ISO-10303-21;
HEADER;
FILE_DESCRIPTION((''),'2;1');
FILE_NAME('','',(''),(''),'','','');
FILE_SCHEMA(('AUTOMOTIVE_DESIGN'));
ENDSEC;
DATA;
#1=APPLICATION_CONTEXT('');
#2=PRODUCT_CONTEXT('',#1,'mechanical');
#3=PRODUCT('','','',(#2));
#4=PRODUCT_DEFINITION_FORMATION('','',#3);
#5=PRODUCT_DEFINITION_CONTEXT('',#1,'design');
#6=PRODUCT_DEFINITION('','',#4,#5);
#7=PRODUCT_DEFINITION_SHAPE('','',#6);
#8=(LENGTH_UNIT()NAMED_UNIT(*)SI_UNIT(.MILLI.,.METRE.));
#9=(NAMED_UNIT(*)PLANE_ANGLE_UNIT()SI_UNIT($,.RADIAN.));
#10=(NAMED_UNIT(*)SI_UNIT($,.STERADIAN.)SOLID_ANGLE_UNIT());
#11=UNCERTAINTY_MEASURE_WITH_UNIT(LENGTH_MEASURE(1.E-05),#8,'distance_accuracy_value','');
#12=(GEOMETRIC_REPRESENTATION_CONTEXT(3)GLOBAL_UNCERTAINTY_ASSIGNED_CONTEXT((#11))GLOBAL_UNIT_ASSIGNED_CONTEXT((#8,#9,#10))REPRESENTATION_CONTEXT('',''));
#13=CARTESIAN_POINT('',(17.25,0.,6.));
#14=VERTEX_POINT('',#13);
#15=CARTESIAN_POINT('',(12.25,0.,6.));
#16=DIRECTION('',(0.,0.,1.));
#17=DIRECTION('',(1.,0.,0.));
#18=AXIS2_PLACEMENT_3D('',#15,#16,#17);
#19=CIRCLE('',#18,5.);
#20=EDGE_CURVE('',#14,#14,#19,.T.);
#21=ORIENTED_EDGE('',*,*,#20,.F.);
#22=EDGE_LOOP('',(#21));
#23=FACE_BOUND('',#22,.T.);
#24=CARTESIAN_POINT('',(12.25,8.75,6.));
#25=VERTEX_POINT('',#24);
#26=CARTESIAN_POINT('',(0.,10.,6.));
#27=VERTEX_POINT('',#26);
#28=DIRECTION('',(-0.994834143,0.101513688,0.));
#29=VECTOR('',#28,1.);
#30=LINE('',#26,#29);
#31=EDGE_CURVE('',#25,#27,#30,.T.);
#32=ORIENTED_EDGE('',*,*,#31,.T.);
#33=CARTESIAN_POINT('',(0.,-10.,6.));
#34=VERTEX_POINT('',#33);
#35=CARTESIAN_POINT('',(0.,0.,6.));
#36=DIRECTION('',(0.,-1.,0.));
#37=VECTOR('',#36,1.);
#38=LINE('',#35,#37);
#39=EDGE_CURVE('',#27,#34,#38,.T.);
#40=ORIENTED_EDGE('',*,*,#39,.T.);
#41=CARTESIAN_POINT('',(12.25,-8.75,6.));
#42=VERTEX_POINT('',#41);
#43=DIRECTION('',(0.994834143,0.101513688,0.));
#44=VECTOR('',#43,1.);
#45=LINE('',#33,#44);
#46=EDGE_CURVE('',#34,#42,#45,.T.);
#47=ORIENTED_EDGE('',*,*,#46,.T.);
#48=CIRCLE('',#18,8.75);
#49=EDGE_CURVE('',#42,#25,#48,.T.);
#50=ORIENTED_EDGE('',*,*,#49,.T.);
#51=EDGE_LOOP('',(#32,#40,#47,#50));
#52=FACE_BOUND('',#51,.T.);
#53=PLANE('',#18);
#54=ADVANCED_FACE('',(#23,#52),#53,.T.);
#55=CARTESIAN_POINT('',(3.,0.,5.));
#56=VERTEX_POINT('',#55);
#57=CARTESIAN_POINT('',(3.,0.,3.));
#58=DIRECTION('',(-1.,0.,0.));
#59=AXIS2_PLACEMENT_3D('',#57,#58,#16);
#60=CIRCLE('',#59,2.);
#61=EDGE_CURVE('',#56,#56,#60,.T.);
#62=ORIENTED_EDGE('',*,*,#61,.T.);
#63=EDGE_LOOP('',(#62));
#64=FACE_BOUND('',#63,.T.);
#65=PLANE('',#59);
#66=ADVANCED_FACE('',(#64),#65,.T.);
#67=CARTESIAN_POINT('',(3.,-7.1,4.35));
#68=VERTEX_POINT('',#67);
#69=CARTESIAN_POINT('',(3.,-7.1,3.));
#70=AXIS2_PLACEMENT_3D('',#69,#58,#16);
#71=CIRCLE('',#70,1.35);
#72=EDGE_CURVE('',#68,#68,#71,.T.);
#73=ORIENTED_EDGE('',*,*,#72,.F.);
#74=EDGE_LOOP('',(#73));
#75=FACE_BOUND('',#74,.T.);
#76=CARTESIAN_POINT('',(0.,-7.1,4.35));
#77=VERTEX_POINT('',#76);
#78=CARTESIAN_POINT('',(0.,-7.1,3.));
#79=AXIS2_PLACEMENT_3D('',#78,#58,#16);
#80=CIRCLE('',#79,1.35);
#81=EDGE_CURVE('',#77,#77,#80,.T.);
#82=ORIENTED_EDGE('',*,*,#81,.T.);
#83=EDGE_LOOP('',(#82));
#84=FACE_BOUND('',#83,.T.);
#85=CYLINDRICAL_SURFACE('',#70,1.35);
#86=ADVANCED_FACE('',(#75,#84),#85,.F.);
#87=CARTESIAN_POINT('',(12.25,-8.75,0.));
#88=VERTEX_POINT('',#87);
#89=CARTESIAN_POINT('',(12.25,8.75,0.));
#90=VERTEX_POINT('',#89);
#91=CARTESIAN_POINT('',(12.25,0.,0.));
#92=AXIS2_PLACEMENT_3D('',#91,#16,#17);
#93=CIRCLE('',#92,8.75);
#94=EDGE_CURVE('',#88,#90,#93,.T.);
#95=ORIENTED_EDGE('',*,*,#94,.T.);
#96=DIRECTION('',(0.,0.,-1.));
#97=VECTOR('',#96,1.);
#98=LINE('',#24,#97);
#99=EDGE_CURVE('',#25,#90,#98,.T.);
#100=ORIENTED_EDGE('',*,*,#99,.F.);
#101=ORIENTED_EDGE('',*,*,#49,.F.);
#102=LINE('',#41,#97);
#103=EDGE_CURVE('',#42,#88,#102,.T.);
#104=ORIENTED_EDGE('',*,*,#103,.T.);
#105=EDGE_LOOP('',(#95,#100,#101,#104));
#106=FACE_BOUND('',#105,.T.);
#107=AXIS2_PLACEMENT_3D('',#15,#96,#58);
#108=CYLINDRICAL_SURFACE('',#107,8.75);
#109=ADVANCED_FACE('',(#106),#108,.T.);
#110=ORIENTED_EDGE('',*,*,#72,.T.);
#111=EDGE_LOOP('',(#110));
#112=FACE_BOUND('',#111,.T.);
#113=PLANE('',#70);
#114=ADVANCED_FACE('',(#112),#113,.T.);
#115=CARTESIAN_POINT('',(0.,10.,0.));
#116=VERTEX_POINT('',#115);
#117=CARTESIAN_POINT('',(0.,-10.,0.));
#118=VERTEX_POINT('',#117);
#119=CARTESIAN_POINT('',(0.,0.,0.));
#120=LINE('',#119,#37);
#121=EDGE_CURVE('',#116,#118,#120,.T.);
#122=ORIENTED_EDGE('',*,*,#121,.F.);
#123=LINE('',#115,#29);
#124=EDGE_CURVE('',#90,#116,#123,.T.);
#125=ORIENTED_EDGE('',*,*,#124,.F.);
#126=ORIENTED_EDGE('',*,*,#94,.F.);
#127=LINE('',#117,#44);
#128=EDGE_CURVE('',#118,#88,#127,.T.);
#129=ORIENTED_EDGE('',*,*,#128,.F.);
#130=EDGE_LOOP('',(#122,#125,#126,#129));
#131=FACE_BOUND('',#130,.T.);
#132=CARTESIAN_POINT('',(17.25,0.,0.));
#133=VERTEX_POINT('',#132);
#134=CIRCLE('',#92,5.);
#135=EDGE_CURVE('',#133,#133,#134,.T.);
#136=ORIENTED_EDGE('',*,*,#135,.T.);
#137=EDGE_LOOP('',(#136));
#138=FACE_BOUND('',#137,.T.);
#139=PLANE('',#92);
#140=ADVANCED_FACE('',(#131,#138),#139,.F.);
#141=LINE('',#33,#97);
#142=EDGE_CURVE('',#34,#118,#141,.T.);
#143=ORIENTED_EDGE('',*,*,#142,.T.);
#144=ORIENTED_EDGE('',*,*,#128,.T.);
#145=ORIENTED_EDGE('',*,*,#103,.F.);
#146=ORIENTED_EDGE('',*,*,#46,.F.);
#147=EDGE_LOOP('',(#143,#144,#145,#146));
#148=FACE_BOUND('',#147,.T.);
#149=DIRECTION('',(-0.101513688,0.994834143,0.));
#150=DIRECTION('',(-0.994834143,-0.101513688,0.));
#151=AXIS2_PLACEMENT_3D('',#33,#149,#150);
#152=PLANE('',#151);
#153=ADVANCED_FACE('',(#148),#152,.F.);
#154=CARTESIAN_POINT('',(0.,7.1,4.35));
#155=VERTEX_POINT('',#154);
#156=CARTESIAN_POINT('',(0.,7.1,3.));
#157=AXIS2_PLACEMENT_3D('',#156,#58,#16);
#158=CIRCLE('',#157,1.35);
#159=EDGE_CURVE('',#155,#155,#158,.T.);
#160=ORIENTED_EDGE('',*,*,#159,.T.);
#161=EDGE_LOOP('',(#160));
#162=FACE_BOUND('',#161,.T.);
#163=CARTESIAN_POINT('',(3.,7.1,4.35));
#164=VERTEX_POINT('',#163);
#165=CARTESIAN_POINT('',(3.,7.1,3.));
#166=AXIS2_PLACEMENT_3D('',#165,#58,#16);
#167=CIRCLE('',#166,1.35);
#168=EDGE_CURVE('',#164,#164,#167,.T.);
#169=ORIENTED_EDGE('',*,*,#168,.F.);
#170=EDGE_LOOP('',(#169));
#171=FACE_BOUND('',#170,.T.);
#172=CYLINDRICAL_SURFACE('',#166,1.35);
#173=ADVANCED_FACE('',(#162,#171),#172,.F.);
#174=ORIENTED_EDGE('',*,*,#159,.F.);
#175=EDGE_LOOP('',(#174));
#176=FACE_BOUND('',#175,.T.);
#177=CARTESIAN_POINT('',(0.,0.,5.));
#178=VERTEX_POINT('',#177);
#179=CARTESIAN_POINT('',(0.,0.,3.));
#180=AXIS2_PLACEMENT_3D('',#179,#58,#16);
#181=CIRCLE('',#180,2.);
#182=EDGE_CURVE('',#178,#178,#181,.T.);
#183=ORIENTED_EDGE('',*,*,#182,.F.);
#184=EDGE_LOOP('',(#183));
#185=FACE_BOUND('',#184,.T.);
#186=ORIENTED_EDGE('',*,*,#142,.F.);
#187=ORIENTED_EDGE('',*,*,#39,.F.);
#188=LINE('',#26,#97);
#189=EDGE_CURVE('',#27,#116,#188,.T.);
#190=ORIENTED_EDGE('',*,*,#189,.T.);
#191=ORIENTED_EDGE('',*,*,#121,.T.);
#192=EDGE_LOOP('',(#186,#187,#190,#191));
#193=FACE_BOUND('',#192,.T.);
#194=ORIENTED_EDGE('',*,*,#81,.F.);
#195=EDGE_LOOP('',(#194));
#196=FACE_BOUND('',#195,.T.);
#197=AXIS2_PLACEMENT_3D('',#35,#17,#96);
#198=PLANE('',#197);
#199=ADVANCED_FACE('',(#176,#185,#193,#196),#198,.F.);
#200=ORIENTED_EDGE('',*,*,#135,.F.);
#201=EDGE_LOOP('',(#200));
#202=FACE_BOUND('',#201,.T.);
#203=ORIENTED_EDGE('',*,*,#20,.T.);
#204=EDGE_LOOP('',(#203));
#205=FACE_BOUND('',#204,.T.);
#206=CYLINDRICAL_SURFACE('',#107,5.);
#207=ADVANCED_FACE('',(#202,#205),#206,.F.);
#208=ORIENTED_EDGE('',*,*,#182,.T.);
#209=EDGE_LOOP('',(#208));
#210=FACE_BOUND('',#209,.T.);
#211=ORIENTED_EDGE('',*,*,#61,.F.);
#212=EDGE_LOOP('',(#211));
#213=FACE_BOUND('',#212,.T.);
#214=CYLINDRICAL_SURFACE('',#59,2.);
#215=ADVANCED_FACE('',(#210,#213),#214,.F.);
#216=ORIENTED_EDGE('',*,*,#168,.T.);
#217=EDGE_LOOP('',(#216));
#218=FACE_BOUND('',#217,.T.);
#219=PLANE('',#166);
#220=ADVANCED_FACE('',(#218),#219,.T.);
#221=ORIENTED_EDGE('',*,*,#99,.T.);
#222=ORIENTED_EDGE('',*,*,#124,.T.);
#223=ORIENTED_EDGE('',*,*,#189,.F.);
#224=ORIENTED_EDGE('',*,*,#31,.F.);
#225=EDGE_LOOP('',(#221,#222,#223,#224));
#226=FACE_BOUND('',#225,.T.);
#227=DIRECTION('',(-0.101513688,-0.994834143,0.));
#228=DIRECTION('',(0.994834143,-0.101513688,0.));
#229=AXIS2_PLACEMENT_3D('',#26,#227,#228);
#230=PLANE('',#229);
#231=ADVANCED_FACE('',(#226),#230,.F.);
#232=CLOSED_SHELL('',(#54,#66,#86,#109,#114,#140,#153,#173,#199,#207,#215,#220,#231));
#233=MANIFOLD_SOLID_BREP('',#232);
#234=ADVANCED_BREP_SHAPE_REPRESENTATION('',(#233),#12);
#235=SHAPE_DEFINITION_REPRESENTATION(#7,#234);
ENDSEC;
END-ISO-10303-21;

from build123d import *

# Parameters (mm, degrees)
SKETCH1_R           = 5
BOSS_EXTRUDE1_DEPTH = 6
SKETCH2_R           = 1.35
SKETCH2_R_2         = 2
CUT_EXTRUDE1_DEPTH  = 3


with BuildPart() as part:
    # Sketch1 → Boss-Extrude1 (new body)
    with BuildSketch(Plane.XY):
        with BuildLine():
            Line((0, 0), (0, 10))
            Line((0, 10), (12.25, 8.75))
            ThreePointArc((12.25, 8.75), (21, 0), (12.25, -8.75))
            Line((12.25, -8.75), (0, -10))
            Line((0, -10), (0, 0))
        make_face()
        with Locations((12.25, 0)):
            Circle(SKETCH1_R, mode=Mode.SUBTRACT)
    extrude(amount=BOSS_EXTRUDE1_DEPTH)

    # Sketch2 → Cut-Extrude1 (cut)
    with BuildSketch(Plane.ZY):
        with Locations((3, 7.1)):
            Circle(SKETCH2_R)
        with Locations((3, -7.1)):
            Circle(SKETCH2_R)
        with Locations((3, 0)):
            Circle(SKETCH2_R_2)
    extrude(amount=-CUT_EXTRUDE1_DEPTH, mode=Mode.SUBTRACT)


solid = part.part
